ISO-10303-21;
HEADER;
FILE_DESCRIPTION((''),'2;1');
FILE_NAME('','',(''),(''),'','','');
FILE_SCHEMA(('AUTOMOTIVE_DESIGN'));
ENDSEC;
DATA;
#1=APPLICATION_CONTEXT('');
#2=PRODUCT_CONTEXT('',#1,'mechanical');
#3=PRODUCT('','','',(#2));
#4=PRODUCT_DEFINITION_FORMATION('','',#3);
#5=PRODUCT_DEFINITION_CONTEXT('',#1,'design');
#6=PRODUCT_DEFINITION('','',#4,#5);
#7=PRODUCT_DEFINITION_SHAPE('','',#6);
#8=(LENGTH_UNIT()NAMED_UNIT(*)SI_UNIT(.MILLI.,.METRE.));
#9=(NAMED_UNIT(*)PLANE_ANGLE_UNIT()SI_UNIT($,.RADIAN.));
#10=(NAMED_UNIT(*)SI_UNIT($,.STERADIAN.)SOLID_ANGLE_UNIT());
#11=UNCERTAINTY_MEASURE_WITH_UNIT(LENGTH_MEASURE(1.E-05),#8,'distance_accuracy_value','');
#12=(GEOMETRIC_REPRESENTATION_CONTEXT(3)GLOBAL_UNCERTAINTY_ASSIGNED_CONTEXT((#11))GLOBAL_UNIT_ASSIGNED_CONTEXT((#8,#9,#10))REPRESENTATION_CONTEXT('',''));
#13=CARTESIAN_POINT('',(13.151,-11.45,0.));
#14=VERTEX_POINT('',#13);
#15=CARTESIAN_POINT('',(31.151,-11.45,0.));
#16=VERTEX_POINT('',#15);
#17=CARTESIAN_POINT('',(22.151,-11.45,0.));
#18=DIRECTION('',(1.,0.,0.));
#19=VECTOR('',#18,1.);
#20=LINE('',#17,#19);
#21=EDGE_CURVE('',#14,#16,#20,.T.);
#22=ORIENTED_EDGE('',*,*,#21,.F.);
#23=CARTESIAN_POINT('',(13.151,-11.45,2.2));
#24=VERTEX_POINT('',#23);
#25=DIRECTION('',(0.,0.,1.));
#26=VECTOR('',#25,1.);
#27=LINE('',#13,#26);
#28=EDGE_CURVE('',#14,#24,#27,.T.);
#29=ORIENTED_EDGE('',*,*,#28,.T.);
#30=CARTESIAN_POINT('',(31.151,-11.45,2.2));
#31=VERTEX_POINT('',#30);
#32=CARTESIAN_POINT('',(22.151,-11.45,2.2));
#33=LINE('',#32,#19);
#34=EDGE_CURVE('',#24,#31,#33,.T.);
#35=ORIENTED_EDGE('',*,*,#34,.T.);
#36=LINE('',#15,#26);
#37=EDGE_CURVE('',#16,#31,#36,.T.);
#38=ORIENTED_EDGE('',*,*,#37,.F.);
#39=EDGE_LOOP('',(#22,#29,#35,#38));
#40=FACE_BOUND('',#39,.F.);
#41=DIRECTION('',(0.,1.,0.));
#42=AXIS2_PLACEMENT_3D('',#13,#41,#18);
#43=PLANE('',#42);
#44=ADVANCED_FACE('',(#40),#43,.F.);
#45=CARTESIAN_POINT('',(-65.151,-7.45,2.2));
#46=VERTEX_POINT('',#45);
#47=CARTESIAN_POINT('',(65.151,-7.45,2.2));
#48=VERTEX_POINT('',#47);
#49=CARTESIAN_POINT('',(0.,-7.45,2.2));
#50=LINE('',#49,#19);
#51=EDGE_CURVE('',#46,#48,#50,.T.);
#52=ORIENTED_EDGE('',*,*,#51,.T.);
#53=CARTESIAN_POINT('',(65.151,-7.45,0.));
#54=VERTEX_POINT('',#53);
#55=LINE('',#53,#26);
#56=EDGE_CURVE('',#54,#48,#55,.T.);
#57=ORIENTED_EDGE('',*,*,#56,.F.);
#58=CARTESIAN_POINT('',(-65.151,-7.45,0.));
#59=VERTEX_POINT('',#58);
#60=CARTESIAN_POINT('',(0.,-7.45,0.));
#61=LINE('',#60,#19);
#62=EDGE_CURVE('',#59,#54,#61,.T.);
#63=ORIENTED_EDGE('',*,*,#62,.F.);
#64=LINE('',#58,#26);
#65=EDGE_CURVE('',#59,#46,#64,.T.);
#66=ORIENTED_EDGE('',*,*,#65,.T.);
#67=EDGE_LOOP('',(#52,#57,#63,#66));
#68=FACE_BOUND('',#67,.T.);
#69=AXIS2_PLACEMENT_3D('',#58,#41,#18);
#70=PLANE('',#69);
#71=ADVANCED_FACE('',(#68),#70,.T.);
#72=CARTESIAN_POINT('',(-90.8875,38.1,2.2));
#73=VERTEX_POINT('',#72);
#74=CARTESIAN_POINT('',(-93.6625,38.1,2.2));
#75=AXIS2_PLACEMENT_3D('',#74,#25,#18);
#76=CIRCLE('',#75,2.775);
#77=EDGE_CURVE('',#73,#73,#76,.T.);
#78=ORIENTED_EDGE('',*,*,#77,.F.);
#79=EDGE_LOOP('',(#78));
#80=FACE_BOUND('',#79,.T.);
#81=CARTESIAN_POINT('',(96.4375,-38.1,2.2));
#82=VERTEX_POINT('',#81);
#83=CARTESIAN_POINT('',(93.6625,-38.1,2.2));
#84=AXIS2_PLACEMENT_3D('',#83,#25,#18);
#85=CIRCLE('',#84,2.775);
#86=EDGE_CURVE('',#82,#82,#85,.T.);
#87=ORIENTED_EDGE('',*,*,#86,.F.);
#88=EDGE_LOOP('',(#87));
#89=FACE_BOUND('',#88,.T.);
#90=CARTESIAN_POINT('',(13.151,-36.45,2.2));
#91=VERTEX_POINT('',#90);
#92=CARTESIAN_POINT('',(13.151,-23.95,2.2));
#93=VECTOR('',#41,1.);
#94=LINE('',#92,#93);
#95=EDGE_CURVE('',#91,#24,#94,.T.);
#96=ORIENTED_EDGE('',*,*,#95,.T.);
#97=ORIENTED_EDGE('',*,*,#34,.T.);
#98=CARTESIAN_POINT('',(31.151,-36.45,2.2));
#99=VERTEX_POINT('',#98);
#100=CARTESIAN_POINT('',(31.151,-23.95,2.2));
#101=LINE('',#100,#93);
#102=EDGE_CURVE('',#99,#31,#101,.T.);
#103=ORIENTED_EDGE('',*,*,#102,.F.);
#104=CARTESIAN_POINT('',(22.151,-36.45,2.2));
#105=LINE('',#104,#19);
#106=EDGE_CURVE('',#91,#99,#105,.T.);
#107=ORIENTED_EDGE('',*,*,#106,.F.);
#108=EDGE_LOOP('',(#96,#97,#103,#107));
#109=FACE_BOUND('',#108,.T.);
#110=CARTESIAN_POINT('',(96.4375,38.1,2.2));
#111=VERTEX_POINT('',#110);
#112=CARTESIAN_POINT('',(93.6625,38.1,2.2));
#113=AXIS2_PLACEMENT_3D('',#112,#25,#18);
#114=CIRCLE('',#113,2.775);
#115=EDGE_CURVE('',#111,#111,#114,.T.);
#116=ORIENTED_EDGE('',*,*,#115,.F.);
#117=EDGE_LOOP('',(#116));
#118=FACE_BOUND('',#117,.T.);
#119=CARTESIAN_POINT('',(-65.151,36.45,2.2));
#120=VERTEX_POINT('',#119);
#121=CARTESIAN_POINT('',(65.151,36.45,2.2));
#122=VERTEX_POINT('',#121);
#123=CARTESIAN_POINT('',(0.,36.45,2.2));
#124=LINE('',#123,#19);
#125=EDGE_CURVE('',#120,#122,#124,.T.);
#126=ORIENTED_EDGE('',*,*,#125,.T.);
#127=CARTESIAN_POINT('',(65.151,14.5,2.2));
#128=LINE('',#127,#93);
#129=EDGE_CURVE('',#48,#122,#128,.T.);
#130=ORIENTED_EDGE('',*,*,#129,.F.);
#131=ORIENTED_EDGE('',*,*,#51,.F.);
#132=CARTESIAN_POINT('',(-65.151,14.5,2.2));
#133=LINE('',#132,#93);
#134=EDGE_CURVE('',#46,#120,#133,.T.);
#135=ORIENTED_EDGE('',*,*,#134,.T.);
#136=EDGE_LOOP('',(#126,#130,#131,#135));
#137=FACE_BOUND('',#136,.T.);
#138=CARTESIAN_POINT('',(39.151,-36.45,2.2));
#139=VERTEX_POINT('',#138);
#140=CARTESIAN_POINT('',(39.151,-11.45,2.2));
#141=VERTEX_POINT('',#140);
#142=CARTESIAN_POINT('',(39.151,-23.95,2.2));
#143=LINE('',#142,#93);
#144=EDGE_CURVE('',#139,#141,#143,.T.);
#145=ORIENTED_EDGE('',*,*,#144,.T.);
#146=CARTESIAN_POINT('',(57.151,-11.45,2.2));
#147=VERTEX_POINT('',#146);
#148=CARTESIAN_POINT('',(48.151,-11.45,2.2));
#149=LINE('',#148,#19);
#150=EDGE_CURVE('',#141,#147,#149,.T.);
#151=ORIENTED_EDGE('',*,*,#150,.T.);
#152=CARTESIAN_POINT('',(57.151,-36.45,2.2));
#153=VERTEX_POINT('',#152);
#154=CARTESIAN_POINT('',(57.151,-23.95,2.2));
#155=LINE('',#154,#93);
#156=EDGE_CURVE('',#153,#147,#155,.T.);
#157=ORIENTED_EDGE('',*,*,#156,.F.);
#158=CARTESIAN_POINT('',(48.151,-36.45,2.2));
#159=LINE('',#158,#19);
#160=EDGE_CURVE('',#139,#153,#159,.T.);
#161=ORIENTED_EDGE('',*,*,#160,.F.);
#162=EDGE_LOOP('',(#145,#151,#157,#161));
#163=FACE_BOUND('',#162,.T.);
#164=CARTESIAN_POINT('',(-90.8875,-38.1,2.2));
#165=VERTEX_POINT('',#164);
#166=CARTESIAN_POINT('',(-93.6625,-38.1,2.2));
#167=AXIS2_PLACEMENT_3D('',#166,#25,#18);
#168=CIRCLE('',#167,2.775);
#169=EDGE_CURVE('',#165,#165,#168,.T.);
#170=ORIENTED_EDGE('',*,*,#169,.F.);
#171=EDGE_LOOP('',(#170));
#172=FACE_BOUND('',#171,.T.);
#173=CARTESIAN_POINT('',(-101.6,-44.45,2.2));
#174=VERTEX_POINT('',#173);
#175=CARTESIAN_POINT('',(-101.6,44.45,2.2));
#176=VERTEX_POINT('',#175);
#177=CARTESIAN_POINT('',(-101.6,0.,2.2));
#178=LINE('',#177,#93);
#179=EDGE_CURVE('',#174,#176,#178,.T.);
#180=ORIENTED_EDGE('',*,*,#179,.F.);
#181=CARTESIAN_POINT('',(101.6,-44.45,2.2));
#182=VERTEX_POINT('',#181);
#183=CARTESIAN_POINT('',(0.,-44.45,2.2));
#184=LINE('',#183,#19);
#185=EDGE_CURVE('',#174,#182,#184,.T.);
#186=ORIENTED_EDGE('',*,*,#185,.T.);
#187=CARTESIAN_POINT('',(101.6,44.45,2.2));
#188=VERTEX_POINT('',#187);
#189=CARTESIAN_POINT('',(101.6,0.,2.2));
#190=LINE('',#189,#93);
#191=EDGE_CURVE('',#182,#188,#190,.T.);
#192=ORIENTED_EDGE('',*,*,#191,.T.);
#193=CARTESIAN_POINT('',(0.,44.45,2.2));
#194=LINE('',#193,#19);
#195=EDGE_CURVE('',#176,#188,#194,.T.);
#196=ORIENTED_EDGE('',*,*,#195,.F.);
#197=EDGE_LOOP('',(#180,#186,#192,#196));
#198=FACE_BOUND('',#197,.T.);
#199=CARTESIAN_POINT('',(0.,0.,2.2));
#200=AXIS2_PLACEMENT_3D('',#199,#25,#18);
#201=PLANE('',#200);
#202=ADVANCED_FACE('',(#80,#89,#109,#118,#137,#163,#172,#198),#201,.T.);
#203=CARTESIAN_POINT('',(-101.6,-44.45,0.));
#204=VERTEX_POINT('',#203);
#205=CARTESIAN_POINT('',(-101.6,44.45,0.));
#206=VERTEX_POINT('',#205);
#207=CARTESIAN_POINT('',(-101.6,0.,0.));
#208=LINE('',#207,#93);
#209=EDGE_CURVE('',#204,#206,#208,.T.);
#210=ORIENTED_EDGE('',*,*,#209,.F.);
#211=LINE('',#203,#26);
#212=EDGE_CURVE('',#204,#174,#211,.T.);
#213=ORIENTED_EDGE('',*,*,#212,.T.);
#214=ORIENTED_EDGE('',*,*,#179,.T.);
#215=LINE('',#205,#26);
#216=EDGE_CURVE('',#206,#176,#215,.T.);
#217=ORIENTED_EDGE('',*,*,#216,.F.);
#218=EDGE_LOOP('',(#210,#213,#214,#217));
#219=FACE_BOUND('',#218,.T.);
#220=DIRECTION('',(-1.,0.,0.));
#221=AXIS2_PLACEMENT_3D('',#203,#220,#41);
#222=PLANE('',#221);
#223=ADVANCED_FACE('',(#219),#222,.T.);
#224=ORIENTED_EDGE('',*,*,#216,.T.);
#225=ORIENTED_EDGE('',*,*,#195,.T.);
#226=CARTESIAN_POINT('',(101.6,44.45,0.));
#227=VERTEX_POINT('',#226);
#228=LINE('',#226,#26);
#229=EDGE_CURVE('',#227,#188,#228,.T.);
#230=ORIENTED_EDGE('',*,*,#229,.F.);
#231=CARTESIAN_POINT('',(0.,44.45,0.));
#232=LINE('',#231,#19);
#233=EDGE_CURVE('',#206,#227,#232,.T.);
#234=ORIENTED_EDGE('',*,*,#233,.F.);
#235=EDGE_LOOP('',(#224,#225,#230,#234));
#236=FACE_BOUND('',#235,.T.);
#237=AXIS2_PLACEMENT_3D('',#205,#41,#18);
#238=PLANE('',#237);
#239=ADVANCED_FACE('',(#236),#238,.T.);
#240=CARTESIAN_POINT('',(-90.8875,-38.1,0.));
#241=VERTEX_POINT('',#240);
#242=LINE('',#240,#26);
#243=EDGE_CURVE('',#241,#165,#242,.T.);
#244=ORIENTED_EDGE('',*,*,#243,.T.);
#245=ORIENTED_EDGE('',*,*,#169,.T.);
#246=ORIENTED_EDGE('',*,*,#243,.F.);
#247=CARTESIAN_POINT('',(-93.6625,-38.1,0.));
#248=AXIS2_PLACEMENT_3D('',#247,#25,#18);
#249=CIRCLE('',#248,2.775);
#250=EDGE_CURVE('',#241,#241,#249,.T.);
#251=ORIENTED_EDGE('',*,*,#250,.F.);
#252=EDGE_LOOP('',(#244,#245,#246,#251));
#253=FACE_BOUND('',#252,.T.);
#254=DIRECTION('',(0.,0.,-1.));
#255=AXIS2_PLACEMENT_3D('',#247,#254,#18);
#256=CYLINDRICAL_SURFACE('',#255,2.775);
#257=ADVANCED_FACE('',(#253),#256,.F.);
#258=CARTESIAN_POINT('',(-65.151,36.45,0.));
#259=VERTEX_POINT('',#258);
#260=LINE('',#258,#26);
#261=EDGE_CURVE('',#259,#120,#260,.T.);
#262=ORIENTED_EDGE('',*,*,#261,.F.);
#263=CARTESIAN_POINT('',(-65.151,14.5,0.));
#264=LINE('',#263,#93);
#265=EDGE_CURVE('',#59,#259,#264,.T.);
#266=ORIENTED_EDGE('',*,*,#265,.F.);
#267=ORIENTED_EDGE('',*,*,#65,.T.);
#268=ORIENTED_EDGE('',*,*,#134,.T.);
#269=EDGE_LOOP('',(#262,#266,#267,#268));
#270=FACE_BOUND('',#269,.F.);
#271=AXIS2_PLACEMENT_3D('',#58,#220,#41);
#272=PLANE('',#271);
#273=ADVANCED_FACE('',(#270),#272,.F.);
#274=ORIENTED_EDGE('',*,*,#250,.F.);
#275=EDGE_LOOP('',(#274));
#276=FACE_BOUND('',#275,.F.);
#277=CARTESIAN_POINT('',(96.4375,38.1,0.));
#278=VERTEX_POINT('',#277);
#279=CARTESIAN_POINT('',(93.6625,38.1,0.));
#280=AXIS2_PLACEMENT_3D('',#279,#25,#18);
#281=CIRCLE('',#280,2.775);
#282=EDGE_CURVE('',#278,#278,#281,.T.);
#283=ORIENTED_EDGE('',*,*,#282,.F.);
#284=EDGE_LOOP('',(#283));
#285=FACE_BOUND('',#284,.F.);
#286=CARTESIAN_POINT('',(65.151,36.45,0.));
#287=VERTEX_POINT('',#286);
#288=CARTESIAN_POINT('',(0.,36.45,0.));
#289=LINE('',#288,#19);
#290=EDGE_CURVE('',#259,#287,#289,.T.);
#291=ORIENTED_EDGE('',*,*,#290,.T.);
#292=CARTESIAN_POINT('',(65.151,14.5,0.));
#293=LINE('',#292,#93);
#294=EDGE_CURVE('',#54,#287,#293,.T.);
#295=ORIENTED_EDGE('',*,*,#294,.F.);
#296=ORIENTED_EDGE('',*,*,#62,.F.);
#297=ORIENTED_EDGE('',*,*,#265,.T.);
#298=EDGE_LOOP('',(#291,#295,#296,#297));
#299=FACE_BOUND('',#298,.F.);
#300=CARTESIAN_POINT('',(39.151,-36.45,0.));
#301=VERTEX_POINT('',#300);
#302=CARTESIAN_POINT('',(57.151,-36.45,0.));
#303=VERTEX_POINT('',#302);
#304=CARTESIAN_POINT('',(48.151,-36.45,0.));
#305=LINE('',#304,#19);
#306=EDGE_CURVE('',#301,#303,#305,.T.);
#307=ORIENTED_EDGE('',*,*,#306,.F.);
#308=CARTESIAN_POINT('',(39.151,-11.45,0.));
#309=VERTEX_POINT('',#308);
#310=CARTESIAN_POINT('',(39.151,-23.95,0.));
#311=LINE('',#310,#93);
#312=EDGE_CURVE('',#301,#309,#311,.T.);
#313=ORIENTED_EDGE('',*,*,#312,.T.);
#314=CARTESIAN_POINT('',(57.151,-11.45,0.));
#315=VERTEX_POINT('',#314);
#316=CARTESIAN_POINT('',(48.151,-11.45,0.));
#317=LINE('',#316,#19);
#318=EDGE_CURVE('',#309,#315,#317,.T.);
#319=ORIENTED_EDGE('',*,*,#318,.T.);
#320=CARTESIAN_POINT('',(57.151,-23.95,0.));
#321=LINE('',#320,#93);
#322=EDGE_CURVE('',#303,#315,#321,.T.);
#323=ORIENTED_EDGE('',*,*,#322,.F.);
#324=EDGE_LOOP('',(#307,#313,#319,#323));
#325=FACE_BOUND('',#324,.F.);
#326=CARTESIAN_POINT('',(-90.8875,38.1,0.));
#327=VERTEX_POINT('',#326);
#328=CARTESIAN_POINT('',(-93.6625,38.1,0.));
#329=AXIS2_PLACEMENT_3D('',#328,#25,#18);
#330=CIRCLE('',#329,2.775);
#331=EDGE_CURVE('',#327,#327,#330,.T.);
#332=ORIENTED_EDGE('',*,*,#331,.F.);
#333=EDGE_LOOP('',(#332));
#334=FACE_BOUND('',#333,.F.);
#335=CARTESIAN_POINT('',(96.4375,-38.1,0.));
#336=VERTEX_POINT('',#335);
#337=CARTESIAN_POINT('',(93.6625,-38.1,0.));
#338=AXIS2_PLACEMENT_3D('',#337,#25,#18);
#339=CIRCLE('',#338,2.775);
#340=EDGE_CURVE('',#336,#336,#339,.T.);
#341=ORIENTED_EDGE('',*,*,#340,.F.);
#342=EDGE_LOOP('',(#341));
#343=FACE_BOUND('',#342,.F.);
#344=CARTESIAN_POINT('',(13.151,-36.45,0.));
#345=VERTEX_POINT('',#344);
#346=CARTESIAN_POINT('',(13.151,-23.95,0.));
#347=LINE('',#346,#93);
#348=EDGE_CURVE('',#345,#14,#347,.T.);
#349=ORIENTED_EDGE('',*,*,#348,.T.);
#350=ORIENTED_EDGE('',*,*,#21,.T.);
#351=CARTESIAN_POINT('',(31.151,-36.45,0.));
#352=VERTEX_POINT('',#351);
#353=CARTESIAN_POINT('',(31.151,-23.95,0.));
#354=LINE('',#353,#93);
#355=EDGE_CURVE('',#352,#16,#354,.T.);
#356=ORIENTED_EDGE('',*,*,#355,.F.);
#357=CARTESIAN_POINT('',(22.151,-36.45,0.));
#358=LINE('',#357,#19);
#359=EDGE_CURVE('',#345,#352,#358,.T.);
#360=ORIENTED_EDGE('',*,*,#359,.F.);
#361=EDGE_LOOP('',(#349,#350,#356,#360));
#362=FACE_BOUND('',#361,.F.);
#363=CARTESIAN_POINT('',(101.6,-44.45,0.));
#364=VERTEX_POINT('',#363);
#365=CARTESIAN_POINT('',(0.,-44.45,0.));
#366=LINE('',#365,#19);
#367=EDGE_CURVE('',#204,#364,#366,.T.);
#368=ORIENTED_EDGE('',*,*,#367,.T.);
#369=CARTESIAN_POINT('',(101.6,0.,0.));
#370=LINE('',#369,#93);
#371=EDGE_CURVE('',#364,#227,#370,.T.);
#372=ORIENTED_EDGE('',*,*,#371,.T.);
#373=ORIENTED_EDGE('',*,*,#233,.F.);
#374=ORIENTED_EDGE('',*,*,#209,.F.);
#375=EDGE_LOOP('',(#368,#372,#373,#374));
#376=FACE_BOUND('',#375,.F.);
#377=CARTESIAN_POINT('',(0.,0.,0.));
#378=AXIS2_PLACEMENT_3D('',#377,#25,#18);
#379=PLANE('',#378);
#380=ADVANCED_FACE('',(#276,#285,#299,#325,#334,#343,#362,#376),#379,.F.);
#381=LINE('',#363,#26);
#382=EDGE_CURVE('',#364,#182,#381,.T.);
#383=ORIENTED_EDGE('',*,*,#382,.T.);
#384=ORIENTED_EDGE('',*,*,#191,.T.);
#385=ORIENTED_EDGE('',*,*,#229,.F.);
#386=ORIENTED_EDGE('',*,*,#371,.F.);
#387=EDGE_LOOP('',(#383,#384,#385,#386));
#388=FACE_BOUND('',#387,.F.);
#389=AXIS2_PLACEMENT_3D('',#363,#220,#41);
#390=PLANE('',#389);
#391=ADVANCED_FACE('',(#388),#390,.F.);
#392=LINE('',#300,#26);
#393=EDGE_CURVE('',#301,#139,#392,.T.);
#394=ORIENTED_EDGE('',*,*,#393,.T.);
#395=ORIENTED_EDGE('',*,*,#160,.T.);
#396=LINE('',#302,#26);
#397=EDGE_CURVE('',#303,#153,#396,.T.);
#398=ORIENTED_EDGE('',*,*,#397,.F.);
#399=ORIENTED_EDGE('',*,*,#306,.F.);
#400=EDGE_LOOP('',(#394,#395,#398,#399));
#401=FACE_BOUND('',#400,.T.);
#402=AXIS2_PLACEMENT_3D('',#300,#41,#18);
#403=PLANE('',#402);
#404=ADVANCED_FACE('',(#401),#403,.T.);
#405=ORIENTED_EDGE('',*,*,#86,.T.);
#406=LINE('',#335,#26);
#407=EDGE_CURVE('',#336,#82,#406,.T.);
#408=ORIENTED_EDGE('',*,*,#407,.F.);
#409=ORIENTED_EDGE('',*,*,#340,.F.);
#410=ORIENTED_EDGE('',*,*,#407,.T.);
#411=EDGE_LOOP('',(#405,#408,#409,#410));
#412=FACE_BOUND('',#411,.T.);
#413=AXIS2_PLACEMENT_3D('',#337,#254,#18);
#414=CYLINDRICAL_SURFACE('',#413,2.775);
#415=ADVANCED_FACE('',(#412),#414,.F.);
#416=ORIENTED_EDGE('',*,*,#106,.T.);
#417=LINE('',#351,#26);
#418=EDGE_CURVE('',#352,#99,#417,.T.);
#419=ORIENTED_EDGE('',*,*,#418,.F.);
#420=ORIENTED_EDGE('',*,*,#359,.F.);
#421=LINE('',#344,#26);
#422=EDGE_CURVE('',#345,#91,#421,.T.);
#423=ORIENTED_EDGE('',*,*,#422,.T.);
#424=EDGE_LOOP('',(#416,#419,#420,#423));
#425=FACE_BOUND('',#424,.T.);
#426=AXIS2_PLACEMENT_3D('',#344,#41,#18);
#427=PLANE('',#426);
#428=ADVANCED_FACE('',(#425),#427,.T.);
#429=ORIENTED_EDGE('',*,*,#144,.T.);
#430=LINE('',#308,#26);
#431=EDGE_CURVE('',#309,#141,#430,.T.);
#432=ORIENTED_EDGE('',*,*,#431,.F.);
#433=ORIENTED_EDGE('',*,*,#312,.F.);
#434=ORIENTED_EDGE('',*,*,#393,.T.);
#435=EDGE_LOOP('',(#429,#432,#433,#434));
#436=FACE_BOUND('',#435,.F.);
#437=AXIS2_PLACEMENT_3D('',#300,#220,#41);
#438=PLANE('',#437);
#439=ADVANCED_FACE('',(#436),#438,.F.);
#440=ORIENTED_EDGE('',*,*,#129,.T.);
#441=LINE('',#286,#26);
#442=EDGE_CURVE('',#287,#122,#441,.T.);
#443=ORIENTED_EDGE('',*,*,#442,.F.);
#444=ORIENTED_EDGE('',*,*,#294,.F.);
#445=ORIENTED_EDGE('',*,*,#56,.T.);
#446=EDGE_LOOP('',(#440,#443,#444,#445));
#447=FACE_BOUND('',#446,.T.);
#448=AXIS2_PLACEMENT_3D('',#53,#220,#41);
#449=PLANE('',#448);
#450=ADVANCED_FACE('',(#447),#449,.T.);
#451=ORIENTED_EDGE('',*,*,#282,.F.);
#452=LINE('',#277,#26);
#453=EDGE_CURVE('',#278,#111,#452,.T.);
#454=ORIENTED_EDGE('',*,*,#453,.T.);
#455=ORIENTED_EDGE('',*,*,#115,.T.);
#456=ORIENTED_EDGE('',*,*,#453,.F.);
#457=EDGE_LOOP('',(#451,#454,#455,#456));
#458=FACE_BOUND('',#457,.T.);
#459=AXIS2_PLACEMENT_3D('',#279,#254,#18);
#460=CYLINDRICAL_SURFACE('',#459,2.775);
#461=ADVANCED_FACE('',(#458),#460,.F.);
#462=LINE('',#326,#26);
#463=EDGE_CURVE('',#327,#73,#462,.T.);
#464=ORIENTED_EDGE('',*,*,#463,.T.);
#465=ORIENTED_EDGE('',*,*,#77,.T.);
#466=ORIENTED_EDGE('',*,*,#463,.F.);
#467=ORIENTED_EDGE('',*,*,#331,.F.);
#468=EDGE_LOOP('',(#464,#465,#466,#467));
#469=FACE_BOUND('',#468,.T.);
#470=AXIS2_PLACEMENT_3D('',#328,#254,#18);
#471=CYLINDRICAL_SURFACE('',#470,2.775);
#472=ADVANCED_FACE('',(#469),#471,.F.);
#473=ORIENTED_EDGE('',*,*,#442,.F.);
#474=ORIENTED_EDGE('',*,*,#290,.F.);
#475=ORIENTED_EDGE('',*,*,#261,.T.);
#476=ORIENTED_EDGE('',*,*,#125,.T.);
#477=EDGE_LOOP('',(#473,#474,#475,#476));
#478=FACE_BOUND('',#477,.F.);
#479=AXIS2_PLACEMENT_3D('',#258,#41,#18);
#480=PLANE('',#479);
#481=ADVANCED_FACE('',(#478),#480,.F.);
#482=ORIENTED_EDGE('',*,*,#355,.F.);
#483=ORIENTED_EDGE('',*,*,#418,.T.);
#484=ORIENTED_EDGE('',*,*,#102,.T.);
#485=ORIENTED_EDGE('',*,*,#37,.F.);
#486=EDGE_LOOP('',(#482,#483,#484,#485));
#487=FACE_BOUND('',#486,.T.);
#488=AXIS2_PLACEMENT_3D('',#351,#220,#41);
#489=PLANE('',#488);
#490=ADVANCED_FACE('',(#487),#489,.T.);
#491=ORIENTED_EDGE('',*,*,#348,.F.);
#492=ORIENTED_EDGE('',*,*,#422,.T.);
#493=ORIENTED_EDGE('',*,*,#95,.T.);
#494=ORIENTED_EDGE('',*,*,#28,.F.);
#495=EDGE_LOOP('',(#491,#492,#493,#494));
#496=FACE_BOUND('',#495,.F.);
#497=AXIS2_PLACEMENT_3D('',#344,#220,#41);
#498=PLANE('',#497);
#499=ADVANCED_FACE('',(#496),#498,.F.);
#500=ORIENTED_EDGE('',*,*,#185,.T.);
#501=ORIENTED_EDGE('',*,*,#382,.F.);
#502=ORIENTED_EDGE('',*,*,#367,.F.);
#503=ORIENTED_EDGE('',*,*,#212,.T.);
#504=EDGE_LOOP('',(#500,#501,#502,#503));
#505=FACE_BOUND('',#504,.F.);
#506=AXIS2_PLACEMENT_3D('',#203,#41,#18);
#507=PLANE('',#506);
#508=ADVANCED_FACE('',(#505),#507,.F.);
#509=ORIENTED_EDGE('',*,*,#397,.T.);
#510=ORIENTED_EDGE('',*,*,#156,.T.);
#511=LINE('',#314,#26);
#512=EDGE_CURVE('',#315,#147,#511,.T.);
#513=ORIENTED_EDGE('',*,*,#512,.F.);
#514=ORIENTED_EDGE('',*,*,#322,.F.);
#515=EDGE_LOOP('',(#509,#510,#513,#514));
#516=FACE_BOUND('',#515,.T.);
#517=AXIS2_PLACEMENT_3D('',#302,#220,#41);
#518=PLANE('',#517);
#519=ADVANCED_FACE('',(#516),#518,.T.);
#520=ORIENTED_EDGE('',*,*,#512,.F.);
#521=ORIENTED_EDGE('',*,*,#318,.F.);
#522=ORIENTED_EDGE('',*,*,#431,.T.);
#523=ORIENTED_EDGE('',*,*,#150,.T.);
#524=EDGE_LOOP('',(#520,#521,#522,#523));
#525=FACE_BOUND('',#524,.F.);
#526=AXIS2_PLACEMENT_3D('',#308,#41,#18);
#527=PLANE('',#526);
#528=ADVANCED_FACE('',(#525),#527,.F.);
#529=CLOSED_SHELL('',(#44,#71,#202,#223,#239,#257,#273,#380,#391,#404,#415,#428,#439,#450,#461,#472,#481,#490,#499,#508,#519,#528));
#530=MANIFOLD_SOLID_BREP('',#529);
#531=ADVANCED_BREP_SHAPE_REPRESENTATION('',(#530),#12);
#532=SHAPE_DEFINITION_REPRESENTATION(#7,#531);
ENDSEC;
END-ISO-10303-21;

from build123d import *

# Parameters (mm, degrees)
SKETCH_W   = 203.2
SKETCH_H   = 88.9
SKETCH_R   = 2.775
SKETCH_W_2 = 130.302
SKETCH_H_2 = 43.9
SKETCH_W_3 = 18
SKETCH_H_3 = 25
PAD_DEPTH  = 2.2


with BuildPart() as part:
    # Sketch → Pad (new body)
    with BuildSketch(Plane.XY):
        Rectangle(SKETCH_W, SKETCH_H)
        with Locations((-93.6625, 38.1)):
            Circle(SKETCH_R, mode=Mode.SUBTRACT)
        with Locations((-93.6625, -38.1)):
            Circle(SKETCH_R, mode=Mode.SUBTRACT)
        with Locations((93.6625, 38.1)):
            Circle(SKETCH_R, mode=Mode.SUBTRACT)
        with Locations((93.6625, -38.1)):
            Circle(SKETCH_R, mode=Mode.SUBTRACT)
        with Locations((0, 14.5)):
            Rectangle(SKETCH_W_2, SKETCH_H_2, mode=Mode.SUBTRACT)
        with Locations((48.151, -23.95)):
            Rectangle(SKETCH_W_3, SKETCH_H_3, mode=Mode.SUBTRACT)
        with Locations((22.151, -23.95)):
            Rectangle(SKETCH_W_3, SKETCH_H_3, mode=Mode.SUBTRACT)
    extrude(amount=PAD_DEPTH)


solid = part.part
